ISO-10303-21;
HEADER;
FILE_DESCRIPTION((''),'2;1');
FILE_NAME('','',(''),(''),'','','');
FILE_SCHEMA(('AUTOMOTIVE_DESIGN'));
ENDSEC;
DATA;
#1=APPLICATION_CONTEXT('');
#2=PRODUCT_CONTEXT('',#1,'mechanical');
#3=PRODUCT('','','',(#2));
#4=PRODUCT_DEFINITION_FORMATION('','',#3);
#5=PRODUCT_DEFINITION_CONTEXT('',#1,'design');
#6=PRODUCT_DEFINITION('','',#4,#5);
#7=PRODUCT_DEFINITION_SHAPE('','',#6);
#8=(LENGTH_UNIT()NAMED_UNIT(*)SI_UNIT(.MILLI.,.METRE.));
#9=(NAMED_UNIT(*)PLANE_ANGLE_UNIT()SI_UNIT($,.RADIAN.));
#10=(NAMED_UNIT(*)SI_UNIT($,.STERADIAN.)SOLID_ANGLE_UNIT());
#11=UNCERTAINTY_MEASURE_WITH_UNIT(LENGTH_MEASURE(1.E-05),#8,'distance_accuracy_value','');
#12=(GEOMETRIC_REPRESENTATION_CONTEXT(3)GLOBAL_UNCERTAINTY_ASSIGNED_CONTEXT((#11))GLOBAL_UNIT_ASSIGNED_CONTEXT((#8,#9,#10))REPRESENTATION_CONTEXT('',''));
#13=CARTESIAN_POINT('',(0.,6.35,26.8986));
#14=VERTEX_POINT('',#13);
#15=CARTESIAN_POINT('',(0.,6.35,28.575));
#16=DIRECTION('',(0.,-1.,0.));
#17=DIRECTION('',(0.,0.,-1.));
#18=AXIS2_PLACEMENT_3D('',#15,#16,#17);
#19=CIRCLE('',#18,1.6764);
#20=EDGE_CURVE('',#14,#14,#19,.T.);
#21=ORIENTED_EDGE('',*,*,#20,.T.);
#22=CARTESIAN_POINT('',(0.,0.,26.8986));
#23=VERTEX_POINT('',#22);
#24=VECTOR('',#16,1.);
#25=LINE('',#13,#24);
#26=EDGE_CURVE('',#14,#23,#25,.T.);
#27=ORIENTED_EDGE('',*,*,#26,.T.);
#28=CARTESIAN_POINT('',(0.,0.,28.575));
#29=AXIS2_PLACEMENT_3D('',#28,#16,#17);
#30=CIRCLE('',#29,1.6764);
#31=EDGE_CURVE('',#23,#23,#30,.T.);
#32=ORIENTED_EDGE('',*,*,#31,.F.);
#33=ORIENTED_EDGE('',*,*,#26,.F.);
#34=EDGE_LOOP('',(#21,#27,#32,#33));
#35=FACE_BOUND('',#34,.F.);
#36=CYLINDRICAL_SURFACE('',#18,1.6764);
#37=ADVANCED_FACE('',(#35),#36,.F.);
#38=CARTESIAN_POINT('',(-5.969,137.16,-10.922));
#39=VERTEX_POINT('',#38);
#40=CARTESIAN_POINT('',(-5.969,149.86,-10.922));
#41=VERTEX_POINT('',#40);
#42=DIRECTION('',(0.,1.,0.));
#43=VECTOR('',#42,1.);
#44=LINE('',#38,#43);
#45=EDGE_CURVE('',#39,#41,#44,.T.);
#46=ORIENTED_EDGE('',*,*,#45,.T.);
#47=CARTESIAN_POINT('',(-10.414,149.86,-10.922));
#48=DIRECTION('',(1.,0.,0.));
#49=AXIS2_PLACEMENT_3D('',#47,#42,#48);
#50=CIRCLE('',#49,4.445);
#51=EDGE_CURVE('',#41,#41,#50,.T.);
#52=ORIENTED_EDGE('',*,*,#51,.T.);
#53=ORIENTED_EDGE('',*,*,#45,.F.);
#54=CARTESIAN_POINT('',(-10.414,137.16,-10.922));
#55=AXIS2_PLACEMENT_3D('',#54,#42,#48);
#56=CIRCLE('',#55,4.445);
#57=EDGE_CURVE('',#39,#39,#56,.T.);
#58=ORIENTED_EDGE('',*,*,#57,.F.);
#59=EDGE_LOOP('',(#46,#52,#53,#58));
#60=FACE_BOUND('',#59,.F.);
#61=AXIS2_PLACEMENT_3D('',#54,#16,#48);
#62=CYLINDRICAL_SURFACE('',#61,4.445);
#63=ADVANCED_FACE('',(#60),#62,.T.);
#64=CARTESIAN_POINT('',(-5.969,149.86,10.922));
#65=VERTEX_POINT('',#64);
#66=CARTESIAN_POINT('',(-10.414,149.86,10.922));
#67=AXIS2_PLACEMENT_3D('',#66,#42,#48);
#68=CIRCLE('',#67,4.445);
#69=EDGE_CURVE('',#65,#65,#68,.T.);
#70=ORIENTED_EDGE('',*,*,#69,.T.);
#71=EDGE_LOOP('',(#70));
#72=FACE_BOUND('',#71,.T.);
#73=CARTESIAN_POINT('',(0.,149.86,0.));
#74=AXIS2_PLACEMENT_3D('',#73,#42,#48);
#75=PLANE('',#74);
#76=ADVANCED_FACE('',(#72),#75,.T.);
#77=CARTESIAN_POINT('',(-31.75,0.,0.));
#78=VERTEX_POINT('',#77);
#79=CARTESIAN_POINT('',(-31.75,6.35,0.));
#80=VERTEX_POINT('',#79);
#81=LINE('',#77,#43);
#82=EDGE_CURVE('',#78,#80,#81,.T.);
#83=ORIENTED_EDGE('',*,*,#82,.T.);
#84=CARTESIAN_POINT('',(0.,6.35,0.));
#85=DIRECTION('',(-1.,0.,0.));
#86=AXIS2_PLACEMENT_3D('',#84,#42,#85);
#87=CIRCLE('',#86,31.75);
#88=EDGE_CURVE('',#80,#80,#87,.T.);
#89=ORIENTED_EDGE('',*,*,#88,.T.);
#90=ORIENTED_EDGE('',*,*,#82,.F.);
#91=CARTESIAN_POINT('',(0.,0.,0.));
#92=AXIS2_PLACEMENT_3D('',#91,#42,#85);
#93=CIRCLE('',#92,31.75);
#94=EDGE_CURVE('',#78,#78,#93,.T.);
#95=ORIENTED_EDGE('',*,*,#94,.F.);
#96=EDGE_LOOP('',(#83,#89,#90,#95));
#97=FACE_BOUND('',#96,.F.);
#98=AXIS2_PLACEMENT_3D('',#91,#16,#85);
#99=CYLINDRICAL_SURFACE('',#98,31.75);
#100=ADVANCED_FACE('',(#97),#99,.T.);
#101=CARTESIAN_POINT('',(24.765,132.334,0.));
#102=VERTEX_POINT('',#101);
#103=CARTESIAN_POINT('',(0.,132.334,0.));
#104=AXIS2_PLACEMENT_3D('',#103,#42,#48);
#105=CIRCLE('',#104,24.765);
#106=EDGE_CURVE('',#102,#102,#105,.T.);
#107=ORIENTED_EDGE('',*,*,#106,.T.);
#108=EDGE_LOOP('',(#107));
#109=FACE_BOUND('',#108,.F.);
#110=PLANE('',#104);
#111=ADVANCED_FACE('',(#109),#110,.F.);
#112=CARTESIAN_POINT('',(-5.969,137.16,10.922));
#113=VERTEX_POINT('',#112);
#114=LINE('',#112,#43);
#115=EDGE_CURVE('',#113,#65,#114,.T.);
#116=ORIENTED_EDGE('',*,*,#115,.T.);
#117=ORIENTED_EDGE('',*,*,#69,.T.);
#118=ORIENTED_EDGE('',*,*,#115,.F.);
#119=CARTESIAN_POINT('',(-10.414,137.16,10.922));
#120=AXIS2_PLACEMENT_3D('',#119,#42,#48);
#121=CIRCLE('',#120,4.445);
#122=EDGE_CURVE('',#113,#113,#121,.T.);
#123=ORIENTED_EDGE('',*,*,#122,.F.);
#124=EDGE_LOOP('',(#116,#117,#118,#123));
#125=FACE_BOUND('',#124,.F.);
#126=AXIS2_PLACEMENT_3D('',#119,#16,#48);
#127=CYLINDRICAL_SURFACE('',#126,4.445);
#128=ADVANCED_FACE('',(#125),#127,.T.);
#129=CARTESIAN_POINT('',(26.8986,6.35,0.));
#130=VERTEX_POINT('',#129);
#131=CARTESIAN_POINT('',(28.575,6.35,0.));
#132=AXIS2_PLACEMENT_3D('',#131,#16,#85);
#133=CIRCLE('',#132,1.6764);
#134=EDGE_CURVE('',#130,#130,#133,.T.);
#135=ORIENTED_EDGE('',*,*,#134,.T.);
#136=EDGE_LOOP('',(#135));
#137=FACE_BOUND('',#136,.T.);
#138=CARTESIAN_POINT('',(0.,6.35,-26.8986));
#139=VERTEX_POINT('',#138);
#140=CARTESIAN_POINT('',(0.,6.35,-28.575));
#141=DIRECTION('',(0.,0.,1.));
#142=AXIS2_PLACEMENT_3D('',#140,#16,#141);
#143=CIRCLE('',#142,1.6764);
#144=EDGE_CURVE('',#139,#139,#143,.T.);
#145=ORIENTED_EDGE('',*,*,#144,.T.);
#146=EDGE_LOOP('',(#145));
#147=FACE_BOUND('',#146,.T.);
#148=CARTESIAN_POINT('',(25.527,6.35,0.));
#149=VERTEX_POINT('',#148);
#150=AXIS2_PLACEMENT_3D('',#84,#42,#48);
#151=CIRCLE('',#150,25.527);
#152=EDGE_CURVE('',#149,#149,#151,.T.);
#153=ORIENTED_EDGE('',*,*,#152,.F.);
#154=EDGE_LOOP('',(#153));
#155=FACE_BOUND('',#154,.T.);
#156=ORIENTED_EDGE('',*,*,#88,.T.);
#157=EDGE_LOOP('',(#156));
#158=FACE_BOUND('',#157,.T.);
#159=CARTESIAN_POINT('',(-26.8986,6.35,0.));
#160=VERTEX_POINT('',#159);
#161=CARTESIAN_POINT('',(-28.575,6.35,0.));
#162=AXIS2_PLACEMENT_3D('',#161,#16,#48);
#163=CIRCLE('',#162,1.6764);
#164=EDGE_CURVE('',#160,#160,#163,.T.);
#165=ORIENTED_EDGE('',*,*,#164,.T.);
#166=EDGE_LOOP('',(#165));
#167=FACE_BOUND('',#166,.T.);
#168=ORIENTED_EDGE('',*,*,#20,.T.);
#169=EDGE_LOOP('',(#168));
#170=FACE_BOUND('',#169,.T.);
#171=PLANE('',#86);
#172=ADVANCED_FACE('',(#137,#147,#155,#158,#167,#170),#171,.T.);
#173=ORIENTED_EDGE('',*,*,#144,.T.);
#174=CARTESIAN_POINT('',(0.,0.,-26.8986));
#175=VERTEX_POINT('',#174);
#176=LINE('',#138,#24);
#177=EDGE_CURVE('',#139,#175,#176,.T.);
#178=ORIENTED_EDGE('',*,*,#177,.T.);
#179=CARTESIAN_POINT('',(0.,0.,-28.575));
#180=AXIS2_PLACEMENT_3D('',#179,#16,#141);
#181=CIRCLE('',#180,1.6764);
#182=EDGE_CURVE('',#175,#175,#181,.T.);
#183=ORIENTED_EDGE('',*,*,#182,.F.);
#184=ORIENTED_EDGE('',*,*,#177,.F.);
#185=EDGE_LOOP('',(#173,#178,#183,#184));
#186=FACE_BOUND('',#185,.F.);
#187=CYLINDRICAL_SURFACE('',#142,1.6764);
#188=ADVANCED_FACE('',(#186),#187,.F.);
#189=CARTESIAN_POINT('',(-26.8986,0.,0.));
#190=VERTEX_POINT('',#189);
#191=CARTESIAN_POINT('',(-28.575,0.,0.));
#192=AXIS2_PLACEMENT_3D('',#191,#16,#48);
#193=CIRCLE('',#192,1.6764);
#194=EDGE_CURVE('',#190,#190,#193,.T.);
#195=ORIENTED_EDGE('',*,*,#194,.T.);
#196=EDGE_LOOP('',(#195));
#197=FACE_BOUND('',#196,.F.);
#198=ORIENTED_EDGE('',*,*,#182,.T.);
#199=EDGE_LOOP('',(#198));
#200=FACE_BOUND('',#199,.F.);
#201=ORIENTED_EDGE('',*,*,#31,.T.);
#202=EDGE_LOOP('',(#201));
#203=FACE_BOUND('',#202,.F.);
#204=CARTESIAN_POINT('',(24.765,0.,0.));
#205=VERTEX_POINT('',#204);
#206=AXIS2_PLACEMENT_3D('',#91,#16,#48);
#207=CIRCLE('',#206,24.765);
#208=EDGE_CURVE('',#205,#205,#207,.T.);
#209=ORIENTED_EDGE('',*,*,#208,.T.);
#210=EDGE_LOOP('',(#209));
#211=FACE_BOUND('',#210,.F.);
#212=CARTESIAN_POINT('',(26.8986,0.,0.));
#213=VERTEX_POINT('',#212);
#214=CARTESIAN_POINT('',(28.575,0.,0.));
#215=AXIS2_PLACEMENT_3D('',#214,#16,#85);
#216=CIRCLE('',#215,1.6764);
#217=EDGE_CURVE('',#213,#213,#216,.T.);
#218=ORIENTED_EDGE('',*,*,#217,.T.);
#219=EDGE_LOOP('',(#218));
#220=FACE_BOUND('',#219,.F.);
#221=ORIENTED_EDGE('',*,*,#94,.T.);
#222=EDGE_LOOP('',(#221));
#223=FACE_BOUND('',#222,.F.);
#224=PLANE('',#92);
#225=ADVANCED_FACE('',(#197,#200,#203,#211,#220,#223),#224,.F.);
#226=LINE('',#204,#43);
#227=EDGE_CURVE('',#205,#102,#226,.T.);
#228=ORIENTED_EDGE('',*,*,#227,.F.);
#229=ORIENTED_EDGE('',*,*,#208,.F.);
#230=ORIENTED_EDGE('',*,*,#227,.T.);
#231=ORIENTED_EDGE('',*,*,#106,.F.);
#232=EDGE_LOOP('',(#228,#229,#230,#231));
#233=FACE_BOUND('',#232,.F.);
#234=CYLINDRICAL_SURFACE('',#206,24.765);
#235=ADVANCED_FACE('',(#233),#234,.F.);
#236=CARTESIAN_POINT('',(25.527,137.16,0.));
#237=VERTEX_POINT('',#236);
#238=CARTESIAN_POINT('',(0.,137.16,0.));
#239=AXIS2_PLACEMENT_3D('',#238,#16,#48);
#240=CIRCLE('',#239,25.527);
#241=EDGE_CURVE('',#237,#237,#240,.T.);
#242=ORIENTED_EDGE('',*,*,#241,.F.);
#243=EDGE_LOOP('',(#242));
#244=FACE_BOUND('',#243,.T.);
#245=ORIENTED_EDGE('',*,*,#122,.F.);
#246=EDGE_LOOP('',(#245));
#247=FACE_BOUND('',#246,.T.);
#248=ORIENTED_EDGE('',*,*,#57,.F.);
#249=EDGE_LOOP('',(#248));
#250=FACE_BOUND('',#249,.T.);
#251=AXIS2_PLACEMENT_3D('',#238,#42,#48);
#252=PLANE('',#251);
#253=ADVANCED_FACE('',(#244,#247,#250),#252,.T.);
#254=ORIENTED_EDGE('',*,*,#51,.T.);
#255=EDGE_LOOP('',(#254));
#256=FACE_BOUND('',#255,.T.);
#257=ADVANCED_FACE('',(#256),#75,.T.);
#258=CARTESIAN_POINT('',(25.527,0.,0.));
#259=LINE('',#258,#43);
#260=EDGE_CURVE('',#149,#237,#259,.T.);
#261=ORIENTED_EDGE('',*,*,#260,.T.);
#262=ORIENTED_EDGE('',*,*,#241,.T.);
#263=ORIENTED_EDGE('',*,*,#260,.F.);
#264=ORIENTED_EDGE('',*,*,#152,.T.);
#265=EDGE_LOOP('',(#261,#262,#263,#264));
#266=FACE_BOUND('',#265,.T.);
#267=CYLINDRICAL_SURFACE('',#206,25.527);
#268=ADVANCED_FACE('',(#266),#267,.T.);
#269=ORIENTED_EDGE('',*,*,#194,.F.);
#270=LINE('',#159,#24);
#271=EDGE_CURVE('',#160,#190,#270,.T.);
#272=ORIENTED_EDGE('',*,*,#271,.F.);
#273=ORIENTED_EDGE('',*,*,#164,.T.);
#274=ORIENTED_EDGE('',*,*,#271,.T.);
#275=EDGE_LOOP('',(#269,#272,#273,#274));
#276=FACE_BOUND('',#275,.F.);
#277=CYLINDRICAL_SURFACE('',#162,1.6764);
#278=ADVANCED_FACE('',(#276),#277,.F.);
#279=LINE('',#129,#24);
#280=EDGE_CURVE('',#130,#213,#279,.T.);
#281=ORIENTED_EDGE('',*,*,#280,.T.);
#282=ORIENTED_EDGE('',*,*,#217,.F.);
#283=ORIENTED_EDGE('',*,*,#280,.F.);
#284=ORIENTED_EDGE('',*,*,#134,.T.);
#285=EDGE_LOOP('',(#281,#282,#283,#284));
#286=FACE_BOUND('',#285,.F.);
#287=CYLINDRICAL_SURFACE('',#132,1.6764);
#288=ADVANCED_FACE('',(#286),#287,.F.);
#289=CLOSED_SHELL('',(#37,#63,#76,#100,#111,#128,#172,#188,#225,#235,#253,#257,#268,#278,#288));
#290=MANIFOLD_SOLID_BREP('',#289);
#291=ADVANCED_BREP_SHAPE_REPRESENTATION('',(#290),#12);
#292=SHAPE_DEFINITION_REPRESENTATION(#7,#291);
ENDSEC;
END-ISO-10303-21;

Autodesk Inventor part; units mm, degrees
ref_plane "YZ Plane" through (0, 0, 0) normal (1, 0, 0) x (0, 1, 0)
ref_plane "XZ Plane" through (0, 0, 0) normal (0, 1, 0) x (-1, 0, 0)
ref_plane "XY Plane" through (0, 0, 0) normal (0, 0, 1) x (1, 0, 0)
sketch "Sketch1" plane through (0, 0, 0) normal (0, 1, 0) x (-1, 0, 0)
  circle A0 centre (0, 0) radius 31.75
  circle A1 centre (0, 0) radius 25.527
  dimension "d0" = 63.5
  dimension "d1" = 6.223
extrude "Extrusion1" add sketch "Sketch1" along normal blind 6.35
sketch "Sketch2" plane through (0, 6.35, 0) normal (0, 1, 0) x (1, 0, 0)
  circle A0 centre (0, 0) radius 25.527 projected
  circle A1 centre (0, 28.575) radius 1.535
  dimension "d4" = 28.575
hole "Hole1" at (0, 6.35, -28.575) direction (0, -1, 0) diameter 3.3528 depth 25.4 tip angle 118
pattern_circular "Circular Pattern1" count 4 over 360 about axis through (0, 0, 0) along (0, 1, 0) of "Hole1"
sketch "Sketch4" plane through (0, 0, 0) normal (0, -1, 0) x (1, 0, 0)
  circle A0 centre (0, 0) radius 25.527 projected
  circle A1 centre (0, 0) radius 24.765
  dimension "d16" = 0.762
extrude "Extrusion2" add sketch "Sketch4" against normal blind 137.16
sketch "Sketch5" plane through (0, 137.16, 0) normal (0, 1, 0) x (1, 0, 0)
  circle A0 centre (0, 0) radius 24.765 projected
extrude "Extrusion3" add sketch "Sketch5" against normal blind 4.826
sketch "Sketch6" plane through (0, 137.16, 0) normal (0, 1, 0) x (1, 0, 0)
  circle A0 centre (0, 0) radius 25.527 projected
  circle A1 centre (-10.414, 10.922) radius 4.445
  line L0 (0, 0) -> (-12.3032, 0) construction
  circle A2 centre (-10.414, -10.922) radius 4.445
  dimension "d21" = 10.414
  dimension "d22" = 10.922
  dimension "d23" = 8.89
extrude "Extrusion4" add sketch "Sketch6" along normal blind 12.7 contours A1 | A2
properties part number "balun" material "Copper"
